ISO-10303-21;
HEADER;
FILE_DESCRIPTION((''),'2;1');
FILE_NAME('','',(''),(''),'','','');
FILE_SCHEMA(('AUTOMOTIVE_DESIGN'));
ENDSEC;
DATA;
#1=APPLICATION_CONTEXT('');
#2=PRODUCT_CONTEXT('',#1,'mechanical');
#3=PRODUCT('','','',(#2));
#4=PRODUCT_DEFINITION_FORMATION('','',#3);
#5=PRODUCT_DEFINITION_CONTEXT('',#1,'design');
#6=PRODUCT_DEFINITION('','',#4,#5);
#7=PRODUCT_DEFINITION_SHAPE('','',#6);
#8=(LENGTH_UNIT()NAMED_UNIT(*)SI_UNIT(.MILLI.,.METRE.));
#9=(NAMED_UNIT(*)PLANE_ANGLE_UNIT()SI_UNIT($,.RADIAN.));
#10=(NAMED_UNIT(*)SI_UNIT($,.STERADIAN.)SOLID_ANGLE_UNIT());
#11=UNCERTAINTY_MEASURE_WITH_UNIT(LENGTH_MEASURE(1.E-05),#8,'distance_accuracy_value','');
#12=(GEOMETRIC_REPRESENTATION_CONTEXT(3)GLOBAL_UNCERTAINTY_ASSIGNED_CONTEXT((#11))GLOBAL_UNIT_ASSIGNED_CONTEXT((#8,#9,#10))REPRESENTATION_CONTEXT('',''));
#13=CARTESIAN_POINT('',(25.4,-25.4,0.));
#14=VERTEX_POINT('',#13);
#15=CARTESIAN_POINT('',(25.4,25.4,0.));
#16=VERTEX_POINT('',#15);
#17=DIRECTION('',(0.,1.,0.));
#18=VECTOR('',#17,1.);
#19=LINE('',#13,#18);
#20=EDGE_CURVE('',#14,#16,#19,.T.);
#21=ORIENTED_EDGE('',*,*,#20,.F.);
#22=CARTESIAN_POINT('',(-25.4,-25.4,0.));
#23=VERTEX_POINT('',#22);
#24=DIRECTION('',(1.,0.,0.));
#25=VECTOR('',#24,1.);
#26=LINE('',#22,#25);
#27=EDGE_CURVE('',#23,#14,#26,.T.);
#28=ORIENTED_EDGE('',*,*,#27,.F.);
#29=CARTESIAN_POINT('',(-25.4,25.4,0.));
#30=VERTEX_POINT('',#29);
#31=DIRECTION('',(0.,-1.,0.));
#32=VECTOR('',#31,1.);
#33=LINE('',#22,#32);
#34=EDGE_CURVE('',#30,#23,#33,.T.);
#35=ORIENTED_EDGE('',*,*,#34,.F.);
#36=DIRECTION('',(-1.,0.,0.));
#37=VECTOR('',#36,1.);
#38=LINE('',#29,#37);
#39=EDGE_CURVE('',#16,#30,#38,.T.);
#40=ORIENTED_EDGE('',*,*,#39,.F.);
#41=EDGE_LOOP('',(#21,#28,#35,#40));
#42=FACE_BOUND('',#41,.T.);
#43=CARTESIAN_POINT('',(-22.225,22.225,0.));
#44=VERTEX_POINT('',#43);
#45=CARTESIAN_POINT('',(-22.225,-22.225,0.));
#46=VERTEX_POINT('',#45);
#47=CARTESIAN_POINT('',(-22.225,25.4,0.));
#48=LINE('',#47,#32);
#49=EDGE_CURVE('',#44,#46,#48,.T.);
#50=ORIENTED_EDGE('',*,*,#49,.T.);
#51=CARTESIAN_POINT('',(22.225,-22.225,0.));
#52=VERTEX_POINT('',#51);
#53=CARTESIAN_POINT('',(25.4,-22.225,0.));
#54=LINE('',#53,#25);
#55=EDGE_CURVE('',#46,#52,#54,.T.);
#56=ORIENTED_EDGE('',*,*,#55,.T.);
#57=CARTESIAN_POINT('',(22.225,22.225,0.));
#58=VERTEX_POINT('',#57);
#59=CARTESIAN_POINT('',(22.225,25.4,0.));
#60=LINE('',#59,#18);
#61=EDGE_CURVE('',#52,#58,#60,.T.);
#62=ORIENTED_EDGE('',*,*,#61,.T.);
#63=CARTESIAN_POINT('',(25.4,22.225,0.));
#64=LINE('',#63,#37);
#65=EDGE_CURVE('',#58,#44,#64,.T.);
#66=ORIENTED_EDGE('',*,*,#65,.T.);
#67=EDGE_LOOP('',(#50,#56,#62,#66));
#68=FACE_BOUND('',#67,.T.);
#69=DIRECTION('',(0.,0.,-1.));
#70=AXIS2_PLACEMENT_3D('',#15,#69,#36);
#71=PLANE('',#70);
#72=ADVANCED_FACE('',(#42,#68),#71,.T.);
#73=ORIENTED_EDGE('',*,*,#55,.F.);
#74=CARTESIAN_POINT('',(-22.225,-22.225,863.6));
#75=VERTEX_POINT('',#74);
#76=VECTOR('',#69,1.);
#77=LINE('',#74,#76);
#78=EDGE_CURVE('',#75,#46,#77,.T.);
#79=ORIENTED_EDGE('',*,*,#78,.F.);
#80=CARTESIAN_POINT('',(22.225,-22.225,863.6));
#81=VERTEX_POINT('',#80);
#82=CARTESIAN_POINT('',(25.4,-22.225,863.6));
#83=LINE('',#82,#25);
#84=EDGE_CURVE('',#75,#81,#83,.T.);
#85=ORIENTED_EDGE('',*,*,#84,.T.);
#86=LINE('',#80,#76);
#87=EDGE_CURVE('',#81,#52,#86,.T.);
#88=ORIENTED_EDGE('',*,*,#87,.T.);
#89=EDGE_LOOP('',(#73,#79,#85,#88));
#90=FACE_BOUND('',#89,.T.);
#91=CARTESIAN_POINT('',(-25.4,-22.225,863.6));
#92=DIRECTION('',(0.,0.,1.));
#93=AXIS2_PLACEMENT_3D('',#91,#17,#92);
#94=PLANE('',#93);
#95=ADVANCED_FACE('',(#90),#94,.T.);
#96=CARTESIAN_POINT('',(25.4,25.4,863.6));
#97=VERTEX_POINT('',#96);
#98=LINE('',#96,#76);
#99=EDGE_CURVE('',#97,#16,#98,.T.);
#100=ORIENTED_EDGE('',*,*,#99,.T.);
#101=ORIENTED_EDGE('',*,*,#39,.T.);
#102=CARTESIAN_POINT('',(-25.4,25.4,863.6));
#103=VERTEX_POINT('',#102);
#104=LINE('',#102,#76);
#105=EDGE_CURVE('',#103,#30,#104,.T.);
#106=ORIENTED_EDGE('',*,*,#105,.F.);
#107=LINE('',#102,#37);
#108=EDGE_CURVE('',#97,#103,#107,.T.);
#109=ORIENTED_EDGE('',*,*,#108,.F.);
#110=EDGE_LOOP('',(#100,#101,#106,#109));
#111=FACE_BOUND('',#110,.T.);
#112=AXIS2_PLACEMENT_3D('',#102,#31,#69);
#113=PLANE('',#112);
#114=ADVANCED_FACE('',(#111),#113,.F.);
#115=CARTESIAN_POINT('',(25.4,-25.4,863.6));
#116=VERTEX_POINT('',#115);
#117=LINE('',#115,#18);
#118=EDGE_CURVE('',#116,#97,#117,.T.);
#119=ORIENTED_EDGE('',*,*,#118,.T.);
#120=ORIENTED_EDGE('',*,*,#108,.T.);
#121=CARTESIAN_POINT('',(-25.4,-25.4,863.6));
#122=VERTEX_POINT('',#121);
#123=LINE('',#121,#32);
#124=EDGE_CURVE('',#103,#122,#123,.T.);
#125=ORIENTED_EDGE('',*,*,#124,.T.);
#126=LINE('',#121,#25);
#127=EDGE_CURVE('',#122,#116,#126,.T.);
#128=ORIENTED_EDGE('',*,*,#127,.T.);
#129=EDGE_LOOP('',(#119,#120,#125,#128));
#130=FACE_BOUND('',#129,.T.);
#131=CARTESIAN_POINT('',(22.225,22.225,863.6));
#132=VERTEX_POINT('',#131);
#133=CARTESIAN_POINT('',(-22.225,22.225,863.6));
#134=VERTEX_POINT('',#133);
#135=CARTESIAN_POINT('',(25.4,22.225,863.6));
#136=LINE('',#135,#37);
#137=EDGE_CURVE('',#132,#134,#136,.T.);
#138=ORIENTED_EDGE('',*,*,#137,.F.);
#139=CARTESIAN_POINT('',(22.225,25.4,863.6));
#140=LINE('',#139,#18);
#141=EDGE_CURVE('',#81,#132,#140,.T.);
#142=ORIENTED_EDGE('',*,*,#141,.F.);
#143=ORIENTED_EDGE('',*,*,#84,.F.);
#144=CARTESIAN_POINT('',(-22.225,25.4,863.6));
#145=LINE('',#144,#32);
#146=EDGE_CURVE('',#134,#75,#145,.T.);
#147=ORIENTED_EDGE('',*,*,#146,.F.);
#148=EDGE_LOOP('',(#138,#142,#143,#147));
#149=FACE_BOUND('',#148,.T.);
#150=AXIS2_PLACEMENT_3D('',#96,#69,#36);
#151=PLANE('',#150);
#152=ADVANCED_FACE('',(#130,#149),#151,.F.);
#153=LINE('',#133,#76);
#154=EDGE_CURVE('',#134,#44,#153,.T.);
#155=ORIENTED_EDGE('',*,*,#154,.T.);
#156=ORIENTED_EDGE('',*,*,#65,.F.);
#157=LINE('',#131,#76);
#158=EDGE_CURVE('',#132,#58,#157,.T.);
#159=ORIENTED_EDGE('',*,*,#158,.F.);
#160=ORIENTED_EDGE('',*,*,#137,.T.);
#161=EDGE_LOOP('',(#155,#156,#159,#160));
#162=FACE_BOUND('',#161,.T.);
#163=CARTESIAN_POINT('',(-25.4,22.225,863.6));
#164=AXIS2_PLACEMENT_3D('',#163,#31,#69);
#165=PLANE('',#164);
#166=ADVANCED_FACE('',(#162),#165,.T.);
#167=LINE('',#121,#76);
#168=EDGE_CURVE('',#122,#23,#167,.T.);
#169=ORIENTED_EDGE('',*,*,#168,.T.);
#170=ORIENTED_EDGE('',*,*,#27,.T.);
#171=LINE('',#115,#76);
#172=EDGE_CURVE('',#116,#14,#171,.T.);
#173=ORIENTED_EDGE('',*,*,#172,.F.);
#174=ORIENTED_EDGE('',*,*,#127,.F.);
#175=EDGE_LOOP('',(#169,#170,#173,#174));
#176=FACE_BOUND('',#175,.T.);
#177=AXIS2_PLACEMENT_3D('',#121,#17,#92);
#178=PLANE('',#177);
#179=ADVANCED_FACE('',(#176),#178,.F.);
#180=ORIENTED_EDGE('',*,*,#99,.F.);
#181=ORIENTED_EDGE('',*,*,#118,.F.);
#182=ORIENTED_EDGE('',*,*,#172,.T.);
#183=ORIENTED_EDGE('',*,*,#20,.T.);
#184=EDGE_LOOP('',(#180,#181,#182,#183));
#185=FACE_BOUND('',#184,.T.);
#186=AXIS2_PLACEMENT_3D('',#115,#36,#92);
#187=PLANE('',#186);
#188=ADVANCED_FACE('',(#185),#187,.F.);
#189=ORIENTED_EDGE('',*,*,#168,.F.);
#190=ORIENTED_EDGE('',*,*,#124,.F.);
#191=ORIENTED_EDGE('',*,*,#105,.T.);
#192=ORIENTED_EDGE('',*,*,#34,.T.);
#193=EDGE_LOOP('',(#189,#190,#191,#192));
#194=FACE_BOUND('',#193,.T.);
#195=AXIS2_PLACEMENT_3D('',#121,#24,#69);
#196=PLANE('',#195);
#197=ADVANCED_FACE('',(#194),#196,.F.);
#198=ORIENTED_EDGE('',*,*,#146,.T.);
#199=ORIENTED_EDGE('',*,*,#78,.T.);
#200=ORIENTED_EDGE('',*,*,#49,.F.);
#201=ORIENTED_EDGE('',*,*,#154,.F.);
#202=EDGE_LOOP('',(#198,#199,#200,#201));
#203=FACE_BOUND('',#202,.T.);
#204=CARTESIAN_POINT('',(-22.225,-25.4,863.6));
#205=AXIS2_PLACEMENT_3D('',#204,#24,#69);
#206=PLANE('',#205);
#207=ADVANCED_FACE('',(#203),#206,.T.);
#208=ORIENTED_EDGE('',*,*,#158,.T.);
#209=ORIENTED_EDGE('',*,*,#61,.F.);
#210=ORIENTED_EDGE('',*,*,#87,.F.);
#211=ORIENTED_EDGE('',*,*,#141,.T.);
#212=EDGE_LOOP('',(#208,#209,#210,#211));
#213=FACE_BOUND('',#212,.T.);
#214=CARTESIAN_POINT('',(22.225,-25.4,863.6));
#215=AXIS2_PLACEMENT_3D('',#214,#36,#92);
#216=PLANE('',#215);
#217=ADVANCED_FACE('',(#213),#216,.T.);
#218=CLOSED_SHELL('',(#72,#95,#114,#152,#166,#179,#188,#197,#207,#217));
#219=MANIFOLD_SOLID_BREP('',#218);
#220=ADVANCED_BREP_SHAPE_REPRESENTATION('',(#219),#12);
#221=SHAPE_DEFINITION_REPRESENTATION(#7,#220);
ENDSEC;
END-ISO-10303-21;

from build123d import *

# Parameters (mm, degrees)
SKETCH1_W           = 50.8
SKETCH1_H           = 50.8
BOSS_EXTRUDE1_DEPTH = 863.6
SHELL1_T            = -3.175


with BuildPart() as part:
    # Sketch1 → Boss-Extrude1 (new body)
    with BuildSketch(Plane.XY):
        Rectangle(SKETCH1_W, SKETCH1_H)
    extrude(amount=BOSS_EXTRUDE1_DEPTH)

    # Shell1
    shell1_openings = [part.faces().sort_by_distance(p)[0] for p in [
        (0, 0, 863.6),
        (0, 0, 0),
    ]]
    offset(amount=SHELL1_T, openings=shell1_openings, kind=Kind.INTERSECTION)


solid = part.part
